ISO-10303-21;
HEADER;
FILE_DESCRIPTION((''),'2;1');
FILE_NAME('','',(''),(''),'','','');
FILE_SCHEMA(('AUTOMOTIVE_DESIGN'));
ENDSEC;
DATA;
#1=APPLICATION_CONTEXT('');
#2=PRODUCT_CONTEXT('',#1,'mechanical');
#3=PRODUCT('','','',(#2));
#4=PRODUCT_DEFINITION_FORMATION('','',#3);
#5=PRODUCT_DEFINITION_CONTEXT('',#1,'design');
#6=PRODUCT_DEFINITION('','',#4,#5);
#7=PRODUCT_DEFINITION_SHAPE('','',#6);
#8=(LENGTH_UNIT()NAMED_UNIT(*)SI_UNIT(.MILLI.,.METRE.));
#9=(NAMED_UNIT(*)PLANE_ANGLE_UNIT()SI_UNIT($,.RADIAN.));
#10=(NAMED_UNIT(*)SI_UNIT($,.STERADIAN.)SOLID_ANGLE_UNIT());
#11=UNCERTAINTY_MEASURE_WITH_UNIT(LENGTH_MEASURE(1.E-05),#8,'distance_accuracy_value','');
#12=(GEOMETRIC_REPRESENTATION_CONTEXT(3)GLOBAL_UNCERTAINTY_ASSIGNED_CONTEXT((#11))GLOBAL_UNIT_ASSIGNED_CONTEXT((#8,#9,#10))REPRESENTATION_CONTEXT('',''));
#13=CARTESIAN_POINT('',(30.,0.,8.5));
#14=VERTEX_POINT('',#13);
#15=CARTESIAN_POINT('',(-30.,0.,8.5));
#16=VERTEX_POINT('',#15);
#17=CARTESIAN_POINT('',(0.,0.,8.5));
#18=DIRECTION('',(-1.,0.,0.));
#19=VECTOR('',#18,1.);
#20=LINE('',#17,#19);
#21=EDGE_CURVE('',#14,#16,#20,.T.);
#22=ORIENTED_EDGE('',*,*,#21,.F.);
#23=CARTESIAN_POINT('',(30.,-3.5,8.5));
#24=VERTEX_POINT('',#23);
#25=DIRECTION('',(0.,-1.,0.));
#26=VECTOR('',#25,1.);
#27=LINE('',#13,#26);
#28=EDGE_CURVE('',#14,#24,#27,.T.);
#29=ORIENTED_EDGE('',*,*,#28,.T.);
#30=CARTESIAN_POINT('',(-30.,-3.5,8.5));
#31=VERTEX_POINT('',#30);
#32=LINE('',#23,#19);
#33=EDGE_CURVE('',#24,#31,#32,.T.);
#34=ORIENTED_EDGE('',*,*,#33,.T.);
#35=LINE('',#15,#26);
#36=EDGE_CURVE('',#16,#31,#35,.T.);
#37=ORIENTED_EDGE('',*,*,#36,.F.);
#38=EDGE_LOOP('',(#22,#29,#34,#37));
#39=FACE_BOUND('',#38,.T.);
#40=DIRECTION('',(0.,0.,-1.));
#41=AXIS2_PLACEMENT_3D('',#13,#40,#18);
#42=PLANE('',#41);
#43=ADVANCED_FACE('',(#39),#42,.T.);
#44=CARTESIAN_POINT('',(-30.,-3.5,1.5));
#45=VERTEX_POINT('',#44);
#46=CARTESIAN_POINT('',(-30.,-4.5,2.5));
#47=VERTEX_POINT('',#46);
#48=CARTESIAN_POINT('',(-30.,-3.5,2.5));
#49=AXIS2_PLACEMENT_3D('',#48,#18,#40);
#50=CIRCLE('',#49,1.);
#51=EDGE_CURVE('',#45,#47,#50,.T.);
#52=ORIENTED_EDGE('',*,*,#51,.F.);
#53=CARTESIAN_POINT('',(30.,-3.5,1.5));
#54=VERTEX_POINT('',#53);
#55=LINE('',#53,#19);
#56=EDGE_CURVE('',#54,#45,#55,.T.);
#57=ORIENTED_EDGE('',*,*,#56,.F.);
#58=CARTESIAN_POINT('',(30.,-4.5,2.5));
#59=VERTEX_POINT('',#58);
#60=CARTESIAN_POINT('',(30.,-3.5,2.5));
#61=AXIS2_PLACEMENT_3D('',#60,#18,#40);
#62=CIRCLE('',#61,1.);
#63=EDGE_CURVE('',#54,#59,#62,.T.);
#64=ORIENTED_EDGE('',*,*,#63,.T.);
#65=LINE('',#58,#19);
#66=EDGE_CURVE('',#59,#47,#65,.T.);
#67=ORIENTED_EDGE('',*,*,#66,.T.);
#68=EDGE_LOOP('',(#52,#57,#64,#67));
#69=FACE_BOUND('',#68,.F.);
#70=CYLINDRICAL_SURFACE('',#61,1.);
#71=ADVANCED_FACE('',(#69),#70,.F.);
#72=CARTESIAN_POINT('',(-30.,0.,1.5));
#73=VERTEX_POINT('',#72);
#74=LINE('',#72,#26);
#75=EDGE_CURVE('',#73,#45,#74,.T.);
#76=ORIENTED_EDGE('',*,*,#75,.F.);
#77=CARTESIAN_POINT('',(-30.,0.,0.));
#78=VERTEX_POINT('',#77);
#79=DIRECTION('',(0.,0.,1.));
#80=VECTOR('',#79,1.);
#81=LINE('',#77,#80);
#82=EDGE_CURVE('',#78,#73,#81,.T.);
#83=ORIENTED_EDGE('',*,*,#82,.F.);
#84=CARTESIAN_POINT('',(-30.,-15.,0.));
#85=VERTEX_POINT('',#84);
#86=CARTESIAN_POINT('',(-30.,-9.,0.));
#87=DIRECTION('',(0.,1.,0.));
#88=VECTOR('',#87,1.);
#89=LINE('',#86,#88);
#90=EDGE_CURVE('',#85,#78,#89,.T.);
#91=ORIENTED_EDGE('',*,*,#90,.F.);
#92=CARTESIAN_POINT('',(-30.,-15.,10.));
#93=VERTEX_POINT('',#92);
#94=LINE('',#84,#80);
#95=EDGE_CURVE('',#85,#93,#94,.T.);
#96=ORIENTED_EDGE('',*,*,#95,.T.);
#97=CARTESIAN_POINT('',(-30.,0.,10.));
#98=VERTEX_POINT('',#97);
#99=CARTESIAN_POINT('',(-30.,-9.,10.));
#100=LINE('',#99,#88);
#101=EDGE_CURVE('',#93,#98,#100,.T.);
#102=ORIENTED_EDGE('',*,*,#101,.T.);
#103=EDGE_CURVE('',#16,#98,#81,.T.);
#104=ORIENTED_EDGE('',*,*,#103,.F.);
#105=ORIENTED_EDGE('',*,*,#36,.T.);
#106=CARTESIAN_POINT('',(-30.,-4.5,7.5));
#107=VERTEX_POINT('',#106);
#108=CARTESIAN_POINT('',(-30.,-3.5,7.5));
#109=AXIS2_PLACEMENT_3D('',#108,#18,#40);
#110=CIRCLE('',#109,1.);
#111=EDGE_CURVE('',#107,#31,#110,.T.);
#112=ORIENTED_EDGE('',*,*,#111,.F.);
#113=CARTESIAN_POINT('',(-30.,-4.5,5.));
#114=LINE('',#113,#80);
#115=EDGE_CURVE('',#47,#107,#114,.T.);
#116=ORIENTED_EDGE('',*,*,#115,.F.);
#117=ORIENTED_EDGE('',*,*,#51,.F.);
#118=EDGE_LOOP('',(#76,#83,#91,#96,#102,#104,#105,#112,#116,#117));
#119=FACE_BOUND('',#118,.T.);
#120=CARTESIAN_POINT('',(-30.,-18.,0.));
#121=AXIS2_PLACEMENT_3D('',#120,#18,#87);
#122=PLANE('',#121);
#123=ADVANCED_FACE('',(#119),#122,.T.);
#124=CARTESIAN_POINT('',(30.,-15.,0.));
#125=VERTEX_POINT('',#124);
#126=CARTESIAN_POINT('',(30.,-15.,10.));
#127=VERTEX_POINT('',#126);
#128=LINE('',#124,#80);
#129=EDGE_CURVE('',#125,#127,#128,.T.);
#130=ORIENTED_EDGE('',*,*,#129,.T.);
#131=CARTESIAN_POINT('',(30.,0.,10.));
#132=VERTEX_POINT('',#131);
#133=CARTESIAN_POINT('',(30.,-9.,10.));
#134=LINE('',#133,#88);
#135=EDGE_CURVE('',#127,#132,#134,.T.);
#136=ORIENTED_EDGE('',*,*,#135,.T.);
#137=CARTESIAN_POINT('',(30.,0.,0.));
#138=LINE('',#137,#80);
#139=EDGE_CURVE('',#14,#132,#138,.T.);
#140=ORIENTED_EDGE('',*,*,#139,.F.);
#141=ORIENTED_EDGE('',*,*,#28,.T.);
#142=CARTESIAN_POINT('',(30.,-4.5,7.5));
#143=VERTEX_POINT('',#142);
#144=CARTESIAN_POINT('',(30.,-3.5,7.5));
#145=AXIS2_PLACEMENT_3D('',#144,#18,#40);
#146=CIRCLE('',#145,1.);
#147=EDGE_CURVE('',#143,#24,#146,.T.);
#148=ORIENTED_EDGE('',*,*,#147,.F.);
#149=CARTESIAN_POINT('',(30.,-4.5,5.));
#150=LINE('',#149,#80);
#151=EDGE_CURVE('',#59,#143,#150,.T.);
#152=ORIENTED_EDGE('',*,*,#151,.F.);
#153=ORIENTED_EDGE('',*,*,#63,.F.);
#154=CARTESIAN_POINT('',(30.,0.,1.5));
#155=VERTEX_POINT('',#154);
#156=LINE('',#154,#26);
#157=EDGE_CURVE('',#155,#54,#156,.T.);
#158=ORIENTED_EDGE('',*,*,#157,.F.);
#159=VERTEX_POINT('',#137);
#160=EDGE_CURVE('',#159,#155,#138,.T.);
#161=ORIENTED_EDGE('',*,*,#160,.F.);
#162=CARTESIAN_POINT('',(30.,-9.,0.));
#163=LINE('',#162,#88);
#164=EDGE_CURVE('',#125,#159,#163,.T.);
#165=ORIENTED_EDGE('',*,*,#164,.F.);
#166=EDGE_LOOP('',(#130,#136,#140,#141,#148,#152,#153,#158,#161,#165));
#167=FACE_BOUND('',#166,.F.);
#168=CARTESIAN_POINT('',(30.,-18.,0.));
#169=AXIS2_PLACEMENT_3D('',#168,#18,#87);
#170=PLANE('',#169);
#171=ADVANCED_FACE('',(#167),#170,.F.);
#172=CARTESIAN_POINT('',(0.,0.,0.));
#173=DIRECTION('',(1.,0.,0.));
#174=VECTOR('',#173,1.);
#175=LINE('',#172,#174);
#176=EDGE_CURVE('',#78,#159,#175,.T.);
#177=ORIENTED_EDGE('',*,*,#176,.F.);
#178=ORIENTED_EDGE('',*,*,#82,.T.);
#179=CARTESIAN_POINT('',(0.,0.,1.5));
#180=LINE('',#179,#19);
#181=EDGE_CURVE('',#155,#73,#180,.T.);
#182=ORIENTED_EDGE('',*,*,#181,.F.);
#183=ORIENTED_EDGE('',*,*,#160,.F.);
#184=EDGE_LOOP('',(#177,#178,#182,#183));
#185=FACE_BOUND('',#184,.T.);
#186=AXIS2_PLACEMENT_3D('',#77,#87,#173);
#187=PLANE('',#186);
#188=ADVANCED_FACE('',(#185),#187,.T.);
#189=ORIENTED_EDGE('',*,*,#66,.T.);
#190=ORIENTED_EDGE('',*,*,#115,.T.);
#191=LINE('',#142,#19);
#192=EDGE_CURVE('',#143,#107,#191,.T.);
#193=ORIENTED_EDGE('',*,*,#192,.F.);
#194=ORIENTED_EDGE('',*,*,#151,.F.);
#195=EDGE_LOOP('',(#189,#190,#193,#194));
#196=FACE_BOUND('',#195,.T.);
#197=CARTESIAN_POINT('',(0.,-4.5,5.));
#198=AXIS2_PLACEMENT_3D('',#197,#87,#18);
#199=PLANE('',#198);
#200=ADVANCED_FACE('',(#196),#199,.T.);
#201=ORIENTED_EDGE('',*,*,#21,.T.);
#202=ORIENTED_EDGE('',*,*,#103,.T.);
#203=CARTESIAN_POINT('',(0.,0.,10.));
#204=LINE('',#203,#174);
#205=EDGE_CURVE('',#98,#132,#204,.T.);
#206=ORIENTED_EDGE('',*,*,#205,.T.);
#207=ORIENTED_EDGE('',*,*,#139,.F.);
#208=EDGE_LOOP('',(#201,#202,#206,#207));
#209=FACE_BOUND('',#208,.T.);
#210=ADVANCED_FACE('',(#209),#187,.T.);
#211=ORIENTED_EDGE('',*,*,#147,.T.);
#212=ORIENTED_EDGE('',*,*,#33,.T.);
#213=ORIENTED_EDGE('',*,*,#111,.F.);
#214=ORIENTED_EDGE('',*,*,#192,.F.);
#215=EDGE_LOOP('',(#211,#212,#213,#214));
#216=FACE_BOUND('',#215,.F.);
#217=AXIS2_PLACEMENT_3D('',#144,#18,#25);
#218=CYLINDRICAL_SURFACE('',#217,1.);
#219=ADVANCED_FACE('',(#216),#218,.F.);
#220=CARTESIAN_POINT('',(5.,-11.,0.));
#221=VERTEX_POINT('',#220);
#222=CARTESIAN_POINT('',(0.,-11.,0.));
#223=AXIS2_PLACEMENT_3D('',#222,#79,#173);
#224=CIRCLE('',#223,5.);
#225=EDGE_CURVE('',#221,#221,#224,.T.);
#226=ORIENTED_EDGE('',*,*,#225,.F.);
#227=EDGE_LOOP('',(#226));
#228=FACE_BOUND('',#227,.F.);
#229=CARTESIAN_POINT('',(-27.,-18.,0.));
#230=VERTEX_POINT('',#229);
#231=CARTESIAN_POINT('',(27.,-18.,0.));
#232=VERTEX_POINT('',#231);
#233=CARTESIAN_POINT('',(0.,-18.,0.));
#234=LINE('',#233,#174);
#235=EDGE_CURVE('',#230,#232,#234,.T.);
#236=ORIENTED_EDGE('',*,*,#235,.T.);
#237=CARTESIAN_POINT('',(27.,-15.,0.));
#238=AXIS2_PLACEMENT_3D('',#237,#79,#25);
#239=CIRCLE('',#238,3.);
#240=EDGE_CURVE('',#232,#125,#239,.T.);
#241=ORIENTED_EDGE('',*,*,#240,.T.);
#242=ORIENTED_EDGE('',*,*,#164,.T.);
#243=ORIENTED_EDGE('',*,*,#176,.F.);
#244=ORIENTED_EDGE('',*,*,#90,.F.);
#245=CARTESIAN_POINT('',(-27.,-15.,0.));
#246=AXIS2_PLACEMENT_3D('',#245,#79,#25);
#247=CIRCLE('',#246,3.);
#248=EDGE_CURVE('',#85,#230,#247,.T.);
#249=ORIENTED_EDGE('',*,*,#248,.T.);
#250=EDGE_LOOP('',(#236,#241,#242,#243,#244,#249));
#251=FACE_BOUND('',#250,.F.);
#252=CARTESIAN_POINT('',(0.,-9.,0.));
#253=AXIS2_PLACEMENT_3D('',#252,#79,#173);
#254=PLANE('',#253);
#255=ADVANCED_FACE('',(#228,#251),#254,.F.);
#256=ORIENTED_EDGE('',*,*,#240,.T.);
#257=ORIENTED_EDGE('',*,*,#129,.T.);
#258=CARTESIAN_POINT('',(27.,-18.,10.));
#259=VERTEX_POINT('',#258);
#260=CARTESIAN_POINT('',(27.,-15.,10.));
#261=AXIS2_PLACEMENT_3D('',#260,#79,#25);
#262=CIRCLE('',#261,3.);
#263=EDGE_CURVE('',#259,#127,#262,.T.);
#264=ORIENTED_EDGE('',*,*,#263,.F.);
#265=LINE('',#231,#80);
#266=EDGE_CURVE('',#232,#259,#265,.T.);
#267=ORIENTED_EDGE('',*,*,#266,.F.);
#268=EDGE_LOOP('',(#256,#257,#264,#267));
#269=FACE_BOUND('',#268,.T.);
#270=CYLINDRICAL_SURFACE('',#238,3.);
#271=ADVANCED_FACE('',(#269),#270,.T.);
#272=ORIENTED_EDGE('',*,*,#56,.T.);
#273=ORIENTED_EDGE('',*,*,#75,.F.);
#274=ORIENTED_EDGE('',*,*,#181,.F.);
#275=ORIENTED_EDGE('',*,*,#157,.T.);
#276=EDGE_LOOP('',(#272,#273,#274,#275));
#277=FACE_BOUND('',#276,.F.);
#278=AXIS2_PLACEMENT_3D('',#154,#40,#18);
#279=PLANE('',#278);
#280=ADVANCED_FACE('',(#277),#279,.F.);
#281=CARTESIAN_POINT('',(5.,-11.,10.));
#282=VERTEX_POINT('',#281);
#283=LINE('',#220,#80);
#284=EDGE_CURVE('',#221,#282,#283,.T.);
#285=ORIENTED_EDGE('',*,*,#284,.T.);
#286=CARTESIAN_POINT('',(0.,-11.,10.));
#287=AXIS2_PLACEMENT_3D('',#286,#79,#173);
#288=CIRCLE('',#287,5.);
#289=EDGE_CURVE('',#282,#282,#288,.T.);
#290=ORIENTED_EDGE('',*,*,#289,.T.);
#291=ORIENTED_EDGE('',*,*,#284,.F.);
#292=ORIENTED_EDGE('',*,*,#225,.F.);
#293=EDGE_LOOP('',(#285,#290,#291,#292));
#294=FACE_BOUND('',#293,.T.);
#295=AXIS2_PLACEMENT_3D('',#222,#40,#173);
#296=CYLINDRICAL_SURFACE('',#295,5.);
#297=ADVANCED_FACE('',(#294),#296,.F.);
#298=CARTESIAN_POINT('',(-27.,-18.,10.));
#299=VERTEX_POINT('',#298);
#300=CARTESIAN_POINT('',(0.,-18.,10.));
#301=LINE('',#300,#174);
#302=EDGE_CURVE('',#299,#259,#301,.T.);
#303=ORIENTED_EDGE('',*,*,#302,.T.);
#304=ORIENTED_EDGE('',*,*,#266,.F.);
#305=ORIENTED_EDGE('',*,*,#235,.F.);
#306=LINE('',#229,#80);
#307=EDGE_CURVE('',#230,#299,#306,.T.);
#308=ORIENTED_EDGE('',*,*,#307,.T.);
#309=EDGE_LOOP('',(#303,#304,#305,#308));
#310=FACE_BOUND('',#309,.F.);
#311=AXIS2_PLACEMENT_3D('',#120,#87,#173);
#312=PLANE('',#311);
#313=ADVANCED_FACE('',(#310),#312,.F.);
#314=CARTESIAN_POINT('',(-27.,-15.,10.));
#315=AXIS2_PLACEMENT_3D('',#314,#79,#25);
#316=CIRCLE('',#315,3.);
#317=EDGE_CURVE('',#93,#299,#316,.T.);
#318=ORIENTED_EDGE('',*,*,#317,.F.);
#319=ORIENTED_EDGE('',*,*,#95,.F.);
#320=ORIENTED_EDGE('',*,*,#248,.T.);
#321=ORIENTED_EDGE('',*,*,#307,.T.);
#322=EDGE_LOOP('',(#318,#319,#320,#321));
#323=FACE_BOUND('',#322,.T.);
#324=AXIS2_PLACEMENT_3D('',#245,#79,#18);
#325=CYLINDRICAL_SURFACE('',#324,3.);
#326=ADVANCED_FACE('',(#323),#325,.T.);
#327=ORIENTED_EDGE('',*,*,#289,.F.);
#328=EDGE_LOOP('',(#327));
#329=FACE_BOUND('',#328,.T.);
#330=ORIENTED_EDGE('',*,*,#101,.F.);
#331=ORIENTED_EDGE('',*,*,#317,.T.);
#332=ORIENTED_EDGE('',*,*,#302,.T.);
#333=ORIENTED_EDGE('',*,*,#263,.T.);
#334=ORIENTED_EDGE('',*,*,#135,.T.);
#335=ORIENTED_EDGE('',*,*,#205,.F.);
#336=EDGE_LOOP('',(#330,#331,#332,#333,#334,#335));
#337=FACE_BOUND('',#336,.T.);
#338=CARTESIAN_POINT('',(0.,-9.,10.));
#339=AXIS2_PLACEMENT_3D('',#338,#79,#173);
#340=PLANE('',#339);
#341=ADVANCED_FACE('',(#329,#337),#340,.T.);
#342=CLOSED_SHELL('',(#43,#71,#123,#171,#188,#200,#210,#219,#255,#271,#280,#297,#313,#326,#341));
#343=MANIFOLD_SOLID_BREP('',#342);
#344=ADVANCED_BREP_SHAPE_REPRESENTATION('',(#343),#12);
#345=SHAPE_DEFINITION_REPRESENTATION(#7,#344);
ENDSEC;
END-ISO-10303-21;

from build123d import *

# Parameters (mm, degrees)
F0_W     = 60
F0_H     = 18
F0_R     = 5
F1_DEPTH = 10
F2_R     = 3
F3_W     = 60
F3_H     = 7
F4_DEPTH = 4.5
F5_R     = 1


with BuildPart() as f1:
    # F0 (on Top) → F1 (new body)
    with BuildSketch(Plane.XY):
        with Locations((0, -9)):
            Rectangle(F0_W, F0_H)
        with Locations((0, -11)):
            Circle(F0_R, mode=Mode.SUBTRACT)
    extrude(amount=F1_DEPTH)

    # F2
    f2_edges = [f1.edges().sort_by_distance(p)[0] for p in [
        (-30, -18, 5),
        (30, -18, 5),
    ]]
    fillet(f2_edges, radius=F2_R)

    # F3 (on face) → F4 (cut)
    with BuildSketch(Plane(origin=(0, 0, 0), x_dir=(-1, 0, 0), z_dir=(0, 1, 0))):
        with Locations((0, 5)):
            Rectangle(F3_W, F3_H)
    extrude(amount=-F4_DEPTH, mode=Mode.SUBTRACT)

    # F5
    f5_edges = [f1.edges().sort_by_distance(p)[0] for p in [
        (0, -4.5, 8.5),
        (0, -4.5, 1.5),
    ]]
    fillet(f5_edges, radius=F5_R)


solid = f1.part
